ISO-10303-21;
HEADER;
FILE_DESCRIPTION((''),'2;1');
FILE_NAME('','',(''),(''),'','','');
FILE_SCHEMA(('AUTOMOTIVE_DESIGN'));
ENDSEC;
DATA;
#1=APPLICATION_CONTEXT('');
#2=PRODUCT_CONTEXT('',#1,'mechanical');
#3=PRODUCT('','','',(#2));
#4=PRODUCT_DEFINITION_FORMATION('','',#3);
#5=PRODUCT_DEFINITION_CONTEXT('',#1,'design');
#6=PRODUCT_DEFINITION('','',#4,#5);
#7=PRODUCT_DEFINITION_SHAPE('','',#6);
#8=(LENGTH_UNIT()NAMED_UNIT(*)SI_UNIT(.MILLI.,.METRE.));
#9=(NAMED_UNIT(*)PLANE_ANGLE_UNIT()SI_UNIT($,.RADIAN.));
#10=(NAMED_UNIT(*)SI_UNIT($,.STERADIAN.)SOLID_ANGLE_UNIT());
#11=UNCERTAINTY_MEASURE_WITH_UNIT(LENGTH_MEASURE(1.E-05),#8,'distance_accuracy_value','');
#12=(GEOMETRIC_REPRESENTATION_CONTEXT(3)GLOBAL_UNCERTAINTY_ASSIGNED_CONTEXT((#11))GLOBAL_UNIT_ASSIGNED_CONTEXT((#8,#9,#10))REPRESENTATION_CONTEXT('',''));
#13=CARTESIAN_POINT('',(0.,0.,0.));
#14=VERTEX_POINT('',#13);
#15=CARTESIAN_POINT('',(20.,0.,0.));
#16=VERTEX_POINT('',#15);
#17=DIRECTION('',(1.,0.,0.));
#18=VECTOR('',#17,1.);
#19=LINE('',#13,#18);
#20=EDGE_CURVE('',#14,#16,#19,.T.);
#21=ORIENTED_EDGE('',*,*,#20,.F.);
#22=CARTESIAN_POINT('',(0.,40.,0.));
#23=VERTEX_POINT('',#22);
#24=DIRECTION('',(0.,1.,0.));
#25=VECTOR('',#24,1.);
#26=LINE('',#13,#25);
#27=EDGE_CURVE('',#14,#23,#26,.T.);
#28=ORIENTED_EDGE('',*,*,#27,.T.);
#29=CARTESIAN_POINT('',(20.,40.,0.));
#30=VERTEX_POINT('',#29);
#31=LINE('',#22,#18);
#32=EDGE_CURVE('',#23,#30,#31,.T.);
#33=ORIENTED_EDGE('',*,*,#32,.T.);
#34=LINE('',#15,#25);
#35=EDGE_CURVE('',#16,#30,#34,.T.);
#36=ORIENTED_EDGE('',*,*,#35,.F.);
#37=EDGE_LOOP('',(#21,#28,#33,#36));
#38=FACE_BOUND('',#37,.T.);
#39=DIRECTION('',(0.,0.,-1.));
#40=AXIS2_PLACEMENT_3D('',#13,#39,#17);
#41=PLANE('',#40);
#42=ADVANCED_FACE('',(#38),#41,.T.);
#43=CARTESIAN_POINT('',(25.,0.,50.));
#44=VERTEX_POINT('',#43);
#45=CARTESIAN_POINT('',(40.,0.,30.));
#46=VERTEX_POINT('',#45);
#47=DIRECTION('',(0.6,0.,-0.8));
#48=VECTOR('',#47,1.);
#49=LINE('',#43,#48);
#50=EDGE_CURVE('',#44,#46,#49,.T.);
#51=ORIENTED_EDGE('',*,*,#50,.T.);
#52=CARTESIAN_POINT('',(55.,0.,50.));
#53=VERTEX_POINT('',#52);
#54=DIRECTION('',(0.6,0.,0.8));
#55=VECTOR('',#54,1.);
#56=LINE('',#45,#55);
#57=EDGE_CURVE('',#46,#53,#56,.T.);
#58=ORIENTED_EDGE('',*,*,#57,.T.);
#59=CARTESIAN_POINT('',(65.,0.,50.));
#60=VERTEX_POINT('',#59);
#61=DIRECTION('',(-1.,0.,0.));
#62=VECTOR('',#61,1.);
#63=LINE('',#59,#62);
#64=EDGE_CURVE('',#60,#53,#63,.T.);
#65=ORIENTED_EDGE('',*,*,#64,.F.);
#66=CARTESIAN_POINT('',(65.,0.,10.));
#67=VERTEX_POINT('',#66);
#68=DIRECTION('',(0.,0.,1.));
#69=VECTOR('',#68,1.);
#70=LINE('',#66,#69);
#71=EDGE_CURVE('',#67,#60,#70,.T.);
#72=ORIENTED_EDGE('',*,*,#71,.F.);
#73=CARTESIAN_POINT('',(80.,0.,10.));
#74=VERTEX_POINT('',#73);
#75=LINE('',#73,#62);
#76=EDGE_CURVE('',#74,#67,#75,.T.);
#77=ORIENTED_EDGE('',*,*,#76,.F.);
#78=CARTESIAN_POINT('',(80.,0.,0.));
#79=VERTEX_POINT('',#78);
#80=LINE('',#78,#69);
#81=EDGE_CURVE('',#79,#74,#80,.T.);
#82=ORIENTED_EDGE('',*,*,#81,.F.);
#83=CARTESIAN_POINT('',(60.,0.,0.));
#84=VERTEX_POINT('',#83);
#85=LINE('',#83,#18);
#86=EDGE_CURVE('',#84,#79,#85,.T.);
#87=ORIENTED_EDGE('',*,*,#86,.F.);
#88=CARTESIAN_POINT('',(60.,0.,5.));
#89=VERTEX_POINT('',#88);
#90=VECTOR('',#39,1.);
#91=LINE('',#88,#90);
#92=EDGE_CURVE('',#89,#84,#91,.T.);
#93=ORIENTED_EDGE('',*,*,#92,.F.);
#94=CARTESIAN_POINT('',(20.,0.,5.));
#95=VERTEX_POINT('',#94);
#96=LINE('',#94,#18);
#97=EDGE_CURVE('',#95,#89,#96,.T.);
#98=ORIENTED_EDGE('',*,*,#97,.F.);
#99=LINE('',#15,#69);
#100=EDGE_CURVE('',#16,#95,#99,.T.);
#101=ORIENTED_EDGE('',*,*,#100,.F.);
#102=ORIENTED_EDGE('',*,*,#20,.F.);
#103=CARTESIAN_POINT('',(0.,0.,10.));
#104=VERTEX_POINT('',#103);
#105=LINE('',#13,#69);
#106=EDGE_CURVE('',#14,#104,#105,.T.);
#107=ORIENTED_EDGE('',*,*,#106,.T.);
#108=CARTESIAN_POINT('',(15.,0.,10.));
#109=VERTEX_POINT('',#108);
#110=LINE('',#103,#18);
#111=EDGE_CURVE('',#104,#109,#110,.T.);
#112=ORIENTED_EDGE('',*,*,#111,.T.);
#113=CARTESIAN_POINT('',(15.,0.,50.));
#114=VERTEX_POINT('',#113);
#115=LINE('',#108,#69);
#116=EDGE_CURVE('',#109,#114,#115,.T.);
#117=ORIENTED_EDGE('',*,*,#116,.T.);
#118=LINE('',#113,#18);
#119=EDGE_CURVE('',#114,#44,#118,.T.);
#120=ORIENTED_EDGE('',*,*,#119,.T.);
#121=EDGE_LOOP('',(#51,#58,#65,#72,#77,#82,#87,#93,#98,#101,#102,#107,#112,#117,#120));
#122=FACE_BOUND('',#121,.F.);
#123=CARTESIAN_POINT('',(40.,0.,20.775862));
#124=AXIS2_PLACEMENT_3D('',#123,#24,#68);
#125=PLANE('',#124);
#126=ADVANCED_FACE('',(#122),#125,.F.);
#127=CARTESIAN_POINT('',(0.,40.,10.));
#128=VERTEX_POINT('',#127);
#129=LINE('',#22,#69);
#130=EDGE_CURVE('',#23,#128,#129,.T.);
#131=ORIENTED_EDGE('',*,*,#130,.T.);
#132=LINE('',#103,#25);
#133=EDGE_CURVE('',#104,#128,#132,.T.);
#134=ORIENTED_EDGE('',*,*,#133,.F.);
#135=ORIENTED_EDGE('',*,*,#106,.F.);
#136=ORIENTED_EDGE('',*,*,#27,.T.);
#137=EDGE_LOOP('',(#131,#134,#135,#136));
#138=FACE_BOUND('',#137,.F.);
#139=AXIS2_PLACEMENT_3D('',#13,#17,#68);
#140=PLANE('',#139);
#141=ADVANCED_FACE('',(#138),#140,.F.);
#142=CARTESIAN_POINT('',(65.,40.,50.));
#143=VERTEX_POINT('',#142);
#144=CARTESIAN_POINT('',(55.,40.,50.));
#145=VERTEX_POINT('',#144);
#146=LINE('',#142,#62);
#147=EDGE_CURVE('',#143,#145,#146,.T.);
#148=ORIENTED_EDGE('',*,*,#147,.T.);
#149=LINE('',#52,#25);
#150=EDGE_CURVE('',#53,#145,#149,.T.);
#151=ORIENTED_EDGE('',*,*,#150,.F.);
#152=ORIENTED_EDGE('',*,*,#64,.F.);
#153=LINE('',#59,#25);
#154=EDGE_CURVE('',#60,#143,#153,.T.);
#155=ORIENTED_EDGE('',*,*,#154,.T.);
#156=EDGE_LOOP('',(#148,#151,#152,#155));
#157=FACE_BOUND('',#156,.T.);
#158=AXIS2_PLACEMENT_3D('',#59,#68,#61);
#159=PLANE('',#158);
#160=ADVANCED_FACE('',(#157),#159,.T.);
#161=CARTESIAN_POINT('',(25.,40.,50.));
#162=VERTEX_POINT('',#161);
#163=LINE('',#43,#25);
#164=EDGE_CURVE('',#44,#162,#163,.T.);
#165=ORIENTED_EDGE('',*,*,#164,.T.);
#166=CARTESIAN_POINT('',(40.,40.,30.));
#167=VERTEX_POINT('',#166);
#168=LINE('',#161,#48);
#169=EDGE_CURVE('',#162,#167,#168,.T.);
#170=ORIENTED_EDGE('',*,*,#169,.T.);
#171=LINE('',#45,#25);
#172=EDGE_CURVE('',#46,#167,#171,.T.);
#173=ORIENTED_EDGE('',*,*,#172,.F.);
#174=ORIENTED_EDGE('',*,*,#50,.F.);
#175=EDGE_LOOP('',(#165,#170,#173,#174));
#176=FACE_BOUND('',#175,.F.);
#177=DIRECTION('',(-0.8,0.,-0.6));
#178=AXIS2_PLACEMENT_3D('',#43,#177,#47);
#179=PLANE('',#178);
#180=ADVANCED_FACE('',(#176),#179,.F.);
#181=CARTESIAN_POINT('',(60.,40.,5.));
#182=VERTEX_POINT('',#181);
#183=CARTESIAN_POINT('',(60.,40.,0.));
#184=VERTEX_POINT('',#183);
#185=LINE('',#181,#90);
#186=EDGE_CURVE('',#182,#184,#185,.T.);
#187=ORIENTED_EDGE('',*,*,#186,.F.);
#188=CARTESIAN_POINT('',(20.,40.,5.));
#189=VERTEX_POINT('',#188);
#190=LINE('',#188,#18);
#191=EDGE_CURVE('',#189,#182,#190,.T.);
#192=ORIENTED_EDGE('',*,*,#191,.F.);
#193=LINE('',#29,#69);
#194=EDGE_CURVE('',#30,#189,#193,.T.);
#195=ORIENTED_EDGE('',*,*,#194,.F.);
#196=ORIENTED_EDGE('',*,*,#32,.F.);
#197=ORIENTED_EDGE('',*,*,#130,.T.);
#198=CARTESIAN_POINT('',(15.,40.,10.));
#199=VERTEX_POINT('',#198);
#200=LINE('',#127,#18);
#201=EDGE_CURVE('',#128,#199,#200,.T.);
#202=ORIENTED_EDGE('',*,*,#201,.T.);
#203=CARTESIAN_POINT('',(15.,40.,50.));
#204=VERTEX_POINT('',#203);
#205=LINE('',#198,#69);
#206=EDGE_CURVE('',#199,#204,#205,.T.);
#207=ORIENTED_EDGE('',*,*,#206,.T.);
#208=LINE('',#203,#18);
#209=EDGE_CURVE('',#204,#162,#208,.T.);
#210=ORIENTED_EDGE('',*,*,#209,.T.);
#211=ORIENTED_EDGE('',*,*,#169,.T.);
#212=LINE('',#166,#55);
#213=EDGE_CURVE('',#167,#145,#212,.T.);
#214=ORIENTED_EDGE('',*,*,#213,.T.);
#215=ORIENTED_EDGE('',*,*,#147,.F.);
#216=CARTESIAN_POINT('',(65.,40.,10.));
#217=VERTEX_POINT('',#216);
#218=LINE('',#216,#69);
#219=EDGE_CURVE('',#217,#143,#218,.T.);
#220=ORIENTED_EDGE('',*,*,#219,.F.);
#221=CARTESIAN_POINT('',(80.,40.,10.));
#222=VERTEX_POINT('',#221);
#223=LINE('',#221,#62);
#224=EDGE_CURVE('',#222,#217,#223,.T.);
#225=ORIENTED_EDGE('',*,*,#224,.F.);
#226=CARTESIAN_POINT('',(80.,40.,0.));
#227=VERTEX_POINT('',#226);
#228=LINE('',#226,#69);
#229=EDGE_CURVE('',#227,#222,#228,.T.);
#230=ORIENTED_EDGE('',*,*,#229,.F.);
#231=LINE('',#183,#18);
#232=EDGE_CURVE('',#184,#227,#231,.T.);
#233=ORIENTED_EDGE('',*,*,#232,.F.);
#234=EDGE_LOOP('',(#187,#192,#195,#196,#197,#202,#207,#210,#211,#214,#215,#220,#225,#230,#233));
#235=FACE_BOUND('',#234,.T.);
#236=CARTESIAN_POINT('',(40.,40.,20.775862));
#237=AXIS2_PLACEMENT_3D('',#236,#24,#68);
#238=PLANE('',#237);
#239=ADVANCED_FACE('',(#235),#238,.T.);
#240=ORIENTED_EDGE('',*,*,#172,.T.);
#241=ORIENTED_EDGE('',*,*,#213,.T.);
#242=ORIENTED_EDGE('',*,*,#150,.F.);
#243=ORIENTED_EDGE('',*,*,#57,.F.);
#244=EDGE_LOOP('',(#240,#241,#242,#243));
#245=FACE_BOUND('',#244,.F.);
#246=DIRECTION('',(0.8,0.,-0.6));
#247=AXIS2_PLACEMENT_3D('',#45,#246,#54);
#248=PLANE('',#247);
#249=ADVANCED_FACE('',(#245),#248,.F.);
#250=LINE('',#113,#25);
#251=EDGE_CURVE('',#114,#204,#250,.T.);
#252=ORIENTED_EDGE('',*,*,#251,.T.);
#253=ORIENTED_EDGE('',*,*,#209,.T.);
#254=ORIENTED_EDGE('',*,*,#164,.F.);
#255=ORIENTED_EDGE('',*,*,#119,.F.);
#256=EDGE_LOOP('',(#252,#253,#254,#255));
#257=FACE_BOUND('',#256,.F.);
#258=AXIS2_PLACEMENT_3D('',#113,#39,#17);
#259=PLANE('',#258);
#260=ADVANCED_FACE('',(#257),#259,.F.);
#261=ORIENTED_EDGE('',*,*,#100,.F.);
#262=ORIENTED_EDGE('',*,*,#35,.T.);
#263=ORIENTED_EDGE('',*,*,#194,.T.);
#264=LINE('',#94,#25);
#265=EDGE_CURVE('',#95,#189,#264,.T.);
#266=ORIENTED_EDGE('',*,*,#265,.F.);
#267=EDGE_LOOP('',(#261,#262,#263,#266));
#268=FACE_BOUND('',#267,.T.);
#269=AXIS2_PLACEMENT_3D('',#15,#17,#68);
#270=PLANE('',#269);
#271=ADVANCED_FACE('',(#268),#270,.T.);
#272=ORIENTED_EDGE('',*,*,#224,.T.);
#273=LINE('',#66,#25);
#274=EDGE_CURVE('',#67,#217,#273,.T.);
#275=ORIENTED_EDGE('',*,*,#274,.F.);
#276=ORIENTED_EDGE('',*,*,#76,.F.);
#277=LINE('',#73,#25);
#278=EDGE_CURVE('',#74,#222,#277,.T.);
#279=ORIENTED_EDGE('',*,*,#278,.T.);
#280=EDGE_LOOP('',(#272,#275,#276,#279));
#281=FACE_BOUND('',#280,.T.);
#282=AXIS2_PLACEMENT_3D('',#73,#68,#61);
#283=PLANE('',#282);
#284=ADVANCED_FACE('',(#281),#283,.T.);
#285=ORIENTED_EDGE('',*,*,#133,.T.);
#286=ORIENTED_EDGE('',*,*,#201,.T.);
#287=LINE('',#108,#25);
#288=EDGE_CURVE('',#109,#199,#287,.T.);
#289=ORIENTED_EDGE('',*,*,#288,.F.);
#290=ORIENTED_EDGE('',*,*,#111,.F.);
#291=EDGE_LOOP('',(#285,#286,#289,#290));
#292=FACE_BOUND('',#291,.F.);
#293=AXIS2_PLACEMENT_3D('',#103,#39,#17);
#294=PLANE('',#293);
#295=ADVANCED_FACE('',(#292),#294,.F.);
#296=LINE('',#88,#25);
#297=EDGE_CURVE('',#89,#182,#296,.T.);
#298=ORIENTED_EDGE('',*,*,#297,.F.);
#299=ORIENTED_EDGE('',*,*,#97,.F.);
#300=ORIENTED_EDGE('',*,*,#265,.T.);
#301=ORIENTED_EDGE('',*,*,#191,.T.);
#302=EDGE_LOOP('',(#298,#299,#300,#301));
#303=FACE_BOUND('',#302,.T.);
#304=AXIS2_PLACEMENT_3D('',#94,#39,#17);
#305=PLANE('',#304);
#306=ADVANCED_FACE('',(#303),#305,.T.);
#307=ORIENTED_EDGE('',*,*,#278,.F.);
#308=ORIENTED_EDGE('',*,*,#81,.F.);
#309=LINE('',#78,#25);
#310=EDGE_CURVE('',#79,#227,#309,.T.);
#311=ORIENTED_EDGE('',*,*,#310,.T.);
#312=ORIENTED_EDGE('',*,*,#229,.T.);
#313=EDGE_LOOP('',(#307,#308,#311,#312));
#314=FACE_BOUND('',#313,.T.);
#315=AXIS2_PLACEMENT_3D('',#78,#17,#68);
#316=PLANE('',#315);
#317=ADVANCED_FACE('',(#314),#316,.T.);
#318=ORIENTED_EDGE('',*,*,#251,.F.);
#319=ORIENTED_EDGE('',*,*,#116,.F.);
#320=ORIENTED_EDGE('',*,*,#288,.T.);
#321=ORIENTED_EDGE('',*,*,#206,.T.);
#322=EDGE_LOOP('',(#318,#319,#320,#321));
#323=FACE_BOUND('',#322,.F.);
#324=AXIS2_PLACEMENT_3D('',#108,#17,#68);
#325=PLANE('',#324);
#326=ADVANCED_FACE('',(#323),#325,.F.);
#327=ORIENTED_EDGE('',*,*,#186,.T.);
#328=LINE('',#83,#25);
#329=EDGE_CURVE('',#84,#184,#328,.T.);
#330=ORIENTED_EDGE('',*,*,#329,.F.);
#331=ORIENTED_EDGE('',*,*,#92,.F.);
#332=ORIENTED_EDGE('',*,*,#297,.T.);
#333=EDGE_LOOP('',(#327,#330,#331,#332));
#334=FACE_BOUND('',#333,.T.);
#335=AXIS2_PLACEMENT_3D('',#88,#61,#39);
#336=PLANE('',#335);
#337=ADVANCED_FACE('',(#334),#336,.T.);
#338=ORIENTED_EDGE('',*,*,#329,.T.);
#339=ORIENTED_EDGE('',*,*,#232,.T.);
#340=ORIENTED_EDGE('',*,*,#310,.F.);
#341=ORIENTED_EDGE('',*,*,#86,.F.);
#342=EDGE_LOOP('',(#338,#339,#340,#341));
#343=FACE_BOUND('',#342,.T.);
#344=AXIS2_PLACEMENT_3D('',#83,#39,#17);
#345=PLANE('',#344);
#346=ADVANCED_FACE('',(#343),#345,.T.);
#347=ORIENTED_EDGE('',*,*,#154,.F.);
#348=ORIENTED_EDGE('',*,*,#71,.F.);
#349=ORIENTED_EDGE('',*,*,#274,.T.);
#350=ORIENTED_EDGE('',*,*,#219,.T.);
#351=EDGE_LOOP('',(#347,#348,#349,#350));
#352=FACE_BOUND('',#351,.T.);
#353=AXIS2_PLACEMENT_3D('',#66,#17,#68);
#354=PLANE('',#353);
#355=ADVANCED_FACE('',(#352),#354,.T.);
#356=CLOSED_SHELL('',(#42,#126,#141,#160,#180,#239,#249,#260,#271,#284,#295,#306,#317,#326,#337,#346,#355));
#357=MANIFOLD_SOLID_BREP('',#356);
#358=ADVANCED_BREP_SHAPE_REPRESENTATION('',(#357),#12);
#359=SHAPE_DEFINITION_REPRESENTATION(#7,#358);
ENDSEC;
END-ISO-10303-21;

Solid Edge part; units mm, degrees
sketch "Sketch1" plane through (0, 0, 0) normal (0, -1, 0) x (1, 0, 0)
  line L0 (15, 50) -> (25, 50)
  line L1 (25, 50) -> (40, 30)
  line L2 (40, 30) -> (55, 50)
  line L3 (65, 50) -> (55, 50)
  line L4 (65, 10) -> (65, 50)
  line L5 (80, 10) -> (65, 10)
  line L6 (80, 0) -> (80, 10)
  line L7 (60, 0) -> (80, 0)
  line L8 (60, 5) -> (60, 0)
  line L9 (20, 5) -> (60, 5)
  line L10 (20, 0) -> (20, 5)
  line L11 (0, 0) -> (20, 0)
  line L12 (0, 0) -> (0, 10)
  line L13 (0, 10) -> (15, 10)
  line L14 (15, 10) -> (15, 50)
extrude "Protrusion1" add sketch "Sketch1" against normal blind 40
